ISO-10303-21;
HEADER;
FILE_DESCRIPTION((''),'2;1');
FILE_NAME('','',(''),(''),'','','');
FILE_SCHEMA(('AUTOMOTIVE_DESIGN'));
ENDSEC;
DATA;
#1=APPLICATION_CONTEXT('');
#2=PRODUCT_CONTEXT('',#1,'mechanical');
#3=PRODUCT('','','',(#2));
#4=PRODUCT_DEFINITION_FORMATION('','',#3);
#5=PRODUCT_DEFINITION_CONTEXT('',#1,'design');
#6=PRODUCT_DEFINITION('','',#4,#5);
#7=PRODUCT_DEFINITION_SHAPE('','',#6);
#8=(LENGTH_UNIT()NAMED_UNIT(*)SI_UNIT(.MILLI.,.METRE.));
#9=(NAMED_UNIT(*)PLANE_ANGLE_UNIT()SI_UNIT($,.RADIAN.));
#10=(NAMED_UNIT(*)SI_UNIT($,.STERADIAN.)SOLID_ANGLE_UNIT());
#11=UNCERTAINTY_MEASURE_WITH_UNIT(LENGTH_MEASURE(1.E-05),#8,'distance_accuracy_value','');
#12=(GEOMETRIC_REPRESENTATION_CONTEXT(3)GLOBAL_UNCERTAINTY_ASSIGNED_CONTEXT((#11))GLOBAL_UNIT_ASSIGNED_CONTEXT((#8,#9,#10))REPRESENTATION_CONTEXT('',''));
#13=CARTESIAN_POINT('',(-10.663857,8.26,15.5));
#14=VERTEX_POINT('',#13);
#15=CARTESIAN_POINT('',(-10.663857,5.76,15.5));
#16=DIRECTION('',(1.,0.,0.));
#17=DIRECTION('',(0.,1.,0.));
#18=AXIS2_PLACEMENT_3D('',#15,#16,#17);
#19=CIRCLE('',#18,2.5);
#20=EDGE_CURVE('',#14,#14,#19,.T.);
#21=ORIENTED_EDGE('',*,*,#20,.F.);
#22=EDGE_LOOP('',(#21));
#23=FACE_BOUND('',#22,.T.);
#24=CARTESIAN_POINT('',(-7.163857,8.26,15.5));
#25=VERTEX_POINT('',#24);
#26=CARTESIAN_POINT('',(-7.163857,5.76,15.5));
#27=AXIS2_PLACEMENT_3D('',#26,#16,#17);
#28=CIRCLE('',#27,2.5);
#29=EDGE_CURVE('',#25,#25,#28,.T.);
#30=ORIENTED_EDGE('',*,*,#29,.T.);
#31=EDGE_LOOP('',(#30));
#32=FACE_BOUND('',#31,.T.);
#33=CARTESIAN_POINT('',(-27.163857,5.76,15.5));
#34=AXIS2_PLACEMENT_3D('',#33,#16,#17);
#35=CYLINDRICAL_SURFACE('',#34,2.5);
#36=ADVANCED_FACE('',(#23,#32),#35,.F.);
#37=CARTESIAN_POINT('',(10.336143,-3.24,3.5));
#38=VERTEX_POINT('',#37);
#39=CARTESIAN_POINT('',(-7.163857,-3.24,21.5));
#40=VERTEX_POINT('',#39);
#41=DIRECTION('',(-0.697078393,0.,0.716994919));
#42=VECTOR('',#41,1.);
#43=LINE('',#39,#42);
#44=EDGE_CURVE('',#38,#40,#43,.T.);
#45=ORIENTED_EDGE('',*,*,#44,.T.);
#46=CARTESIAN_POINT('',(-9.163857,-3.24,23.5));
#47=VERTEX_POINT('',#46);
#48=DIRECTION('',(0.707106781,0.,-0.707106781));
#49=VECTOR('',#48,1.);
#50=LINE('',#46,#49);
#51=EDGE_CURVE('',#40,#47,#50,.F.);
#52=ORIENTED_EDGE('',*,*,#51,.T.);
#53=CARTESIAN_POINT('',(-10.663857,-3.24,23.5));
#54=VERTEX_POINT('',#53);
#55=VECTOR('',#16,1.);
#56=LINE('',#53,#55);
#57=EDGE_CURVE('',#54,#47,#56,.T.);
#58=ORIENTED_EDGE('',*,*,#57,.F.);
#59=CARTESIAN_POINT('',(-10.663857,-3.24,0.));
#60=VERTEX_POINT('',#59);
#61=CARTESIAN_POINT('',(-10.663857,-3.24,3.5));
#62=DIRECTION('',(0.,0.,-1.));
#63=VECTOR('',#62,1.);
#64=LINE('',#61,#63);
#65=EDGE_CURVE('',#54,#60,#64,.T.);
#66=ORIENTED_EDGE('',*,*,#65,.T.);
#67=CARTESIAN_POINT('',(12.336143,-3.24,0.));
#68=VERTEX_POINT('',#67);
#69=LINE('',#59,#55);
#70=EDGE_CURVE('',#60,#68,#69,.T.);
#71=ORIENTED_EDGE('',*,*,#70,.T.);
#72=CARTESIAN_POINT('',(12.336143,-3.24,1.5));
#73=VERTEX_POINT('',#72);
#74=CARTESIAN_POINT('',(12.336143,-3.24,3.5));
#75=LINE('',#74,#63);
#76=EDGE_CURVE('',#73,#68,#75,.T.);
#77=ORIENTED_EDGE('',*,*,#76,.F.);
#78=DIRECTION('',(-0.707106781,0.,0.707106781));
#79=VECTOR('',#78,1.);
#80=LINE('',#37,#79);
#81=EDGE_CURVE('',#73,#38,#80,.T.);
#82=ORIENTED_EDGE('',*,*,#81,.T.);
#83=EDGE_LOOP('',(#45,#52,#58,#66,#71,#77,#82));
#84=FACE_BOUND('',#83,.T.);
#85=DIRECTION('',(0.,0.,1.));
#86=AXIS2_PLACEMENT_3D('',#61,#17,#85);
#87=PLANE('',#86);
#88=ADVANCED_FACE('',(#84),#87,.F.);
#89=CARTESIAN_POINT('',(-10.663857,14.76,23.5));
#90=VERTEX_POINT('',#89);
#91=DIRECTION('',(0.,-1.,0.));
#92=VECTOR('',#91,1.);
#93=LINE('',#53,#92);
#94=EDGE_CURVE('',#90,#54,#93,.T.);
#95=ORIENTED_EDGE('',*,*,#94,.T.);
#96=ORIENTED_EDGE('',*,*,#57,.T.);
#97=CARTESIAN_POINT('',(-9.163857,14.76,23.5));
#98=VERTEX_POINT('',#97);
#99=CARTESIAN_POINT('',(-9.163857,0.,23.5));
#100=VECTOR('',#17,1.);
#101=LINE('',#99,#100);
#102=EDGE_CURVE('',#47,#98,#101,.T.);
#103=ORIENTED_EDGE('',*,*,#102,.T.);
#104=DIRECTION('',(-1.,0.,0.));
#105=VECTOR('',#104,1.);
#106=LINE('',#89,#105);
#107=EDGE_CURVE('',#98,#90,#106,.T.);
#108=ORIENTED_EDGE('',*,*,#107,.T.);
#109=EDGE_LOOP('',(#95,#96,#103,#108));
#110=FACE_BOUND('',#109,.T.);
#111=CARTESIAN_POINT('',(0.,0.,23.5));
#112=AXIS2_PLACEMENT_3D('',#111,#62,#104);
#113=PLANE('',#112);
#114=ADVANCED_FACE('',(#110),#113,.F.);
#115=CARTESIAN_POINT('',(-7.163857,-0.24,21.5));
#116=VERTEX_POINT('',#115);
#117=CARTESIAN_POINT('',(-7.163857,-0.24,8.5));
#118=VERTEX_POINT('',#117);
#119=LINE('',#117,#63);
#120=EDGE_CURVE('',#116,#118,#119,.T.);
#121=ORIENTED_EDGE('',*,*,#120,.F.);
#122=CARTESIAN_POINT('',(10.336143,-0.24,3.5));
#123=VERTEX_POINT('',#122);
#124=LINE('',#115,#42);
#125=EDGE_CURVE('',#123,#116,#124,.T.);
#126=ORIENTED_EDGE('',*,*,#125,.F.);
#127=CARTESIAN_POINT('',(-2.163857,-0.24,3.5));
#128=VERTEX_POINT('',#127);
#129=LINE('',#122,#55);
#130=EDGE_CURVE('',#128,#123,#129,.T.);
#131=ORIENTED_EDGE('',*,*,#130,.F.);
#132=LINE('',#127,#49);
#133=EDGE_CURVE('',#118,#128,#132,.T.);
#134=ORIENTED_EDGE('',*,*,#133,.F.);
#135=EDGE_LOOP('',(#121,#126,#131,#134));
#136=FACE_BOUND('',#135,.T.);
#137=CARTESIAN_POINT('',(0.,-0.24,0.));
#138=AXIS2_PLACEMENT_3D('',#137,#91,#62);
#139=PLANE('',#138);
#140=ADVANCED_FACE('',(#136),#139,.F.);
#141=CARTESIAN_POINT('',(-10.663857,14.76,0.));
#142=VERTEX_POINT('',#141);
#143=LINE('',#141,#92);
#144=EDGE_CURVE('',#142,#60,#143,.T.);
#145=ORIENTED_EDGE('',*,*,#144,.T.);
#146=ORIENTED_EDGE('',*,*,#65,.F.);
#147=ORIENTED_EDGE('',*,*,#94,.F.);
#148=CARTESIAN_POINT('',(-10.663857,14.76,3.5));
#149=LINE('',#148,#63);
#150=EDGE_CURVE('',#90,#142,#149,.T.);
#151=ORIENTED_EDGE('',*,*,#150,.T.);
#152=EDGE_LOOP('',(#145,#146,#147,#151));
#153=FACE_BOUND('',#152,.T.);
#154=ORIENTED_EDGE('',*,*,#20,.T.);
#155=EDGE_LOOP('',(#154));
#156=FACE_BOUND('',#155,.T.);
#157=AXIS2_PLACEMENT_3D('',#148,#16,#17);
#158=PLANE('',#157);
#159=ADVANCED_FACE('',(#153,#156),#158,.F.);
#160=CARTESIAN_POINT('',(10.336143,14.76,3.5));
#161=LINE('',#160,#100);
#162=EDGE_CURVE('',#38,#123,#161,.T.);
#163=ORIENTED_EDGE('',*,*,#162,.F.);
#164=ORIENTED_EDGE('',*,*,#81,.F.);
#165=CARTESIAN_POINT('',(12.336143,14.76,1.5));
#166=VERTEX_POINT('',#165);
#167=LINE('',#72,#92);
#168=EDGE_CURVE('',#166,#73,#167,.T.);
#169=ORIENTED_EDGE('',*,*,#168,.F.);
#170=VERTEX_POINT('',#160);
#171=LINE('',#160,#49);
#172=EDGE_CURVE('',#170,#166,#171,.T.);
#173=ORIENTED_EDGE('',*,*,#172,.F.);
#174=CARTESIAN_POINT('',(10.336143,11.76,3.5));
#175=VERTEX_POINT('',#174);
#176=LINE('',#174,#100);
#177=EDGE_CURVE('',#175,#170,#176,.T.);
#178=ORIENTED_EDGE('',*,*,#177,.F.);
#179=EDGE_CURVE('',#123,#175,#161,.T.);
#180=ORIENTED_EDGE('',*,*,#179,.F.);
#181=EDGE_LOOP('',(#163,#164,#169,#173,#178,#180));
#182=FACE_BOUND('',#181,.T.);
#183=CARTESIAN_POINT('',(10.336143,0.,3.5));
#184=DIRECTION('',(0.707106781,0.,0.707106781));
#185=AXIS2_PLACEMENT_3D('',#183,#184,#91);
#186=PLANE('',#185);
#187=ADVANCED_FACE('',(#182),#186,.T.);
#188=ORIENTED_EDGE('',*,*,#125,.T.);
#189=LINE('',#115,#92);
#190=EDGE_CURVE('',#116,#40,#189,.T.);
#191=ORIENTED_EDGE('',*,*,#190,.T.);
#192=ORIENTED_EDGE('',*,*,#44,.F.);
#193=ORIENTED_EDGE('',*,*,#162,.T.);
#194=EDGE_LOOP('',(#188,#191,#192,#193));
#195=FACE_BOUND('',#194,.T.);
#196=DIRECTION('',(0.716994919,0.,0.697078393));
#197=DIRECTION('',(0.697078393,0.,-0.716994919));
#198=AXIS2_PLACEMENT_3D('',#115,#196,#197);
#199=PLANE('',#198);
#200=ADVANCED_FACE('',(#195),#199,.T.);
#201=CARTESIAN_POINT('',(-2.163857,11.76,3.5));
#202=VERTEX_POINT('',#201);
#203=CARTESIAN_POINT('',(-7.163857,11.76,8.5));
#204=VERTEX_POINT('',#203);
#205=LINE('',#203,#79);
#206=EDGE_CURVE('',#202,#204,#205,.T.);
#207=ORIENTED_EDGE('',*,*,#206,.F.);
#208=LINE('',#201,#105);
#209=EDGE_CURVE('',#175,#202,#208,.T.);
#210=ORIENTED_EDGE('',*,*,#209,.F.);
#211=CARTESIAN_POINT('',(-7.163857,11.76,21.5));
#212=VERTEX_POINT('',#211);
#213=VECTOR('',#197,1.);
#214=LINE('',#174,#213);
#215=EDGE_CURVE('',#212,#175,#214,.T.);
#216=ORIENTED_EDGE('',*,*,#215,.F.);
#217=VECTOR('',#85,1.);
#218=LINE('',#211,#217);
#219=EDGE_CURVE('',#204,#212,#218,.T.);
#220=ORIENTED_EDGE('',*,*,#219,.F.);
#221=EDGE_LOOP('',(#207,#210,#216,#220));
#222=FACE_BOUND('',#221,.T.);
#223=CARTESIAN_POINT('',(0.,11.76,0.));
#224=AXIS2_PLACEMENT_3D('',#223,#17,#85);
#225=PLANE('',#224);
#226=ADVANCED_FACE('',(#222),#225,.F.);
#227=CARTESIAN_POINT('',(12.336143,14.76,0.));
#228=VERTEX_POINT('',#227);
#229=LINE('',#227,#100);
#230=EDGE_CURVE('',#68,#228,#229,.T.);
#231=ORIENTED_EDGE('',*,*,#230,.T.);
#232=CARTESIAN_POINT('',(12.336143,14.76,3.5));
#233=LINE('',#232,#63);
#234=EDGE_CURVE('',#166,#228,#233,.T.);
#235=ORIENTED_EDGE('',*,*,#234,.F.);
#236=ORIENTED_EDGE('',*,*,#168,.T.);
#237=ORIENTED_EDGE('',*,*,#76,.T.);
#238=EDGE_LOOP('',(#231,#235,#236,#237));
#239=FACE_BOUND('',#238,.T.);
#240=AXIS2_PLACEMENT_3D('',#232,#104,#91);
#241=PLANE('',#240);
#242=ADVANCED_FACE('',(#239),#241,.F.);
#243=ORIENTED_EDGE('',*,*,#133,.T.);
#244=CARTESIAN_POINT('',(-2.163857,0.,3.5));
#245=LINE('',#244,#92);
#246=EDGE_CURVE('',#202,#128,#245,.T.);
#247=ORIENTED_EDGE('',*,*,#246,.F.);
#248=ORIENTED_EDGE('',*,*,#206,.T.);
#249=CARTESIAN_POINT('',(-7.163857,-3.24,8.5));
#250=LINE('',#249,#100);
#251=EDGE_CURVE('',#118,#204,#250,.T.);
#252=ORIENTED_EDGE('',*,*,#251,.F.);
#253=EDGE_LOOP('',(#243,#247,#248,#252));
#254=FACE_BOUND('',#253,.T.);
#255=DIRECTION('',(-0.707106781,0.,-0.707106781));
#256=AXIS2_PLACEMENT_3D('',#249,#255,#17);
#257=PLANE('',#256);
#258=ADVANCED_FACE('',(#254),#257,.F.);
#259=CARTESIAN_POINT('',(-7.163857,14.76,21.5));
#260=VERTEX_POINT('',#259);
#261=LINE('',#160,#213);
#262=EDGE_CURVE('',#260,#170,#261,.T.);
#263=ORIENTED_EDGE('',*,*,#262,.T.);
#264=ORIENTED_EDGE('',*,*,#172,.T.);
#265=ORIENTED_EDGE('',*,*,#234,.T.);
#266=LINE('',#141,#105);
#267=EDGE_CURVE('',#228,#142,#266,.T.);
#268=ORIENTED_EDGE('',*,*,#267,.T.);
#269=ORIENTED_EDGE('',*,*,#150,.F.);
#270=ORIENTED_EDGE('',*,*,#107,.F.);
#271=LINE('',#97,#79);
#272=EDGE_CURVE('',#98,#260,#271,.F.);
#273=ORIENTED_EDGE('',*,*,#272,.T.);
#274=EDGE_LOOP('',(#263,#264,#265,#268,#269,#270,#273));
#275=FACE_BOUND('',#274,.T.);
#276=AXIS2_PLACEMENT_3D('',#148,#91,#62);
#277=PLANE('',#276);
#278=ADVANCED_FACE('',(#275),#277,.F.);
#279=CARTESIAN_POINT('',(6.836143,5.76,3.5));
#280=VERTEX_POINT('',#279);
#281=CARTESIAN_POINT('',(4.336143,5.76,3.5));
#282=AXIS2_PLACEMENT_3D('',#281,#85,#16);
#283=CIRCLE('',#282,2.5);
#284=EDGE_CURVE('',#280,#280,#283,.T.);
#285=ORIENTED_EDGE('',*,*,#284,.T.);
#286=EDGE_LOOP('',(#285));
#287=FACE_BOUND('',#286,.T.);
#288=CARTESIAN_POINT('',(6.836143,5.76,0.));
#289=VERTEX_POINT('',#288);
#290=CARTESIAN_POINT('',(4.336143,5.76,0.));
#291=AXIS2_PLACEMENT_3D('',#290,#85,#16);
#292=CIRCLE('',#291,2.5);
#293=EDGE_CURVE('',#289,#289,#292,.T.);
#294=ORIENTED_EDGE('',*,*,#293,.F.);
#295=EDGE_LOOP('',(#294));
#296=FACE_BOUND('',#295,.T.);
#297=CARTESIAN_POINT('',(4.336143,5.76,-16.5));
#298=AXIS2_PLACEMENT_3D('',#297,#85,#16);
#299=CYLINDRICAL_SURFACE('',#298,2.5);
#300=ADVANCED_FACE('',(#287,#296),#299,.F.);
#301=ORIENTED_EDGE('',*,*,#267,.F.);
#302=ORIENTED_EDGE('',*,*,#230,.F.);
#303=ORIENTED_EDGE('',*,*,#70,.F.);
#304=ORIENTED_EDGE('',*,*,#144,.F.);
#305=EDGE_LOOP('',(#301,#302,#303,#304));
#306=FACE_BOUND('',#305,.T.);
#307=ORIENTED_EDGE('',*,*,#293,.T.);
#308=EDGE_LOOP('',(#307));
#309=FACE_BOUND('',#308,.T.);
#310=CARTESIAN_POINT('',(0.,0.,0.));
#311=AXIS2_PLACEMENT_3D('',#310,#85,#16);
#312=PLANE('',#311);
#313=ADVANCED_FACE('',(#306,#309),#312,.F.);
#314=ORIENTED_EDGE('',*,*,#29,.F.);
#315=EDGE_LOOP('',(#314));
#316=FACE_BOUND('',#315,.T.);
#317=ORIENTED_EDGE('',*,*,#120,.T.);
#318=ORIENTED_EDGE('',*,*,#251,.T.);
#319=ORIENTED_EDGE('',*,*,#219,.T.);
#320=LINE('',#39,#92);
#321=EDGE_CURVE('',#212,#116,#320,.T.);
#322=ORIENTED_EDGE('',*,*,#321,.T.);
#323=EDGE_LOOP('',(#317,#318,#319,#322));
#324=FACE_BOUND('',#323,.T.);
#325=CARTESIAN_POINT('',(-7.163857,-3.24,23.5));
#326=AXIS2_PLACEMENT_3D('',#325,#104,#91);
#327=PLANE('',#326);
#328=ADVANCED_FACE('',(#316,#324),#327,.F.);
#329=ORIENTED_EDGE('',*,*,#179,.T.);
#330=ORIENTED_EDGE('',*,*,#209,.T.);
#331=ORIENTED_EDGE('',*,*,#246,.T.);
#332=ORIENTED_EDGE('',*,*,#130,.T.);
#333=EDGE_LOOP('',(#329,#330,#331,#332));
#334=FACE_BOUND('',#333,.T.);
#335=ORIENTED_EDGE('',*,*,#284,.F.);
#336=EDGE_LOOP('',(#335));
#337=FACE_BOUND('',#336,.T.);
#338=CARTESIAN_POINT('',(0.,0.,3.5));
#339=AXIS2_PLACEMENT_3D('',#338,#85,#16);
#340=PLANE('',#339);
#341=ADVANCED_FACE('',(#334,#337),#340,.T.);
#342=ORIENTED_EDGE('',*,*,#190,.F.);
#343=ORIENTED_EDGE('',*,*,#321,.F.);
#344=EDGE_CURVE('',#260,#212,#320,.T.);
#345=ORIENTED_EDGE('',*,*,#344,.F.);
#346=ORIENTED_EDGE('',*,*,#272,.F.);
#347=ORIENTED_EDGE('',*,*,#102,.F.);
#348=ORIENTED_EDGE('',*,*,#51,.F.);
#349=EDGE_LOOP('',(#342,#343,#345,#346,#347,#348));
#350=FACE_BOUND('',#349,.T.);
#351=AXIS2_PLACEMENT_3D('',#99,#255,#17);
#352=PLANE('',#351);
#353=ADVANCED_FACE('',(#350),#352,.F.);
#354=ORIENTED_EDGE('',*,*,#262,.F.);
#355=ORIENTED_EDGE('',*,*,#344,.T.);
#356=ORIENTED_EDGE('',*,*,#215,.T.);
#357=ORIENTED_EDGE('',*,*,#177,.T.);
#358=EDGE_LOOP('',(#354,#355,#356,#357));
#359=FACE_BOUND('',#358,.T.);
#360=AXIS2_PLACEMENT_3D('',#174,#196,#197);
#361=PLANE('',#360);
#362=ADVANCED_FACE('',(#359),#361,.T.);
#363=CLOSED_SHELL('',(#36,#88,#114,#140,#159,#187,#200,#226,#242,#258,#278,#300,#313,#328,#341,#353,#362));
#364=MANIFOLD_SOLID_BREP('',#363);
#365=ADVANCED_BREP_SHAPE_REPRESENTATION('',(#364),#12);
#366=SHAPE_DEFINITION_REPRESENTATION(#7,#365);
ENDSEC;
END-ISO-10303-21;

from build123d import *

# Parameters (mm, degrees)
ESQUISSE1_W             = 23
ESQUISSE1_H             = 18
BOSS_EXTRU_1_DEPTH      = 3.5
ESQUISSE2_W             = 3.5
ESQUISSE2_H             = 18
BOSS_EXTRU_2_DEPTH      = 20
ESQUISSE3_R             = 2.5
ENL_V_MAT_EXTRU_1_DEPTH = 20
ESQUISSE4_R             = 2.5
ENL_V_MAT_EXTRU_2_DEPTH = 20
CHANFREIN1_SIZE         = 5
CHANFREIN2_SIZE         = 2
BOSS_EXTRU_3_DEPTH      = 3
BOSS_EXTRU_4_DEPTH      = 3


with BuildPart() as part:
    # Esquisse1 → Boss.-Extru.1 (new body)
    with BuildSketch(Plane.XY):
        with Locations((0.836143498, 5.76)):
            Rectangle(ESQUISSE1_W, ESQUISSE1_H)
    extrude(amount=BOSS_EXTRU_1_DEPTH)

    # Esquisse2 → Boss.-Extru.2 (add)
    with BuildSketch(Plane.XY.offset(3.5)):
        with Locations((-8.913856502, 5.76)):
            Rectangle(ESQUISSE2_W, ESQUISSE2_H)
    extrude(amount=BOSS_EXTRU_2_DEPTH)

    # Esquisse3 → Enlèv. mat.-Extru.1 (cut)
    with BuildSketch(Plane.XY.offset(3.5)):
        with Locations((4.336143498, 5.76)):
            Circle(ESQUISSE3_R)
    extrude(amount=-ENL_V_MAT_EXTRU_1_DEPTH, mode=Mode.SUBTRACT)

    # Esquisse4 → Enlèv. mat.-Extru.2 (cut)
    with BuildSketch(Plane(origin=(-7.163856502, 0, 0), x_dir=(0, 0, -1), z_dir=(1, 0, 0))):
        with Locations(Location((-15.5, 5.76, 0), (0, 0, 90))):
            Circle(ESQUISSE4_R)
    extrude(amount=-ENL_V_MAT_EXTRU_2_DEPTH, mode=Mode.SUBTRACT)

    # Chanfrein1
    chanfrein1_edges = [part.edges().sort_by_distance(p)[0] for p in [
        (-7.163856502, 5.76, 3.5),
    ]]
    chamfer(chanfrein1_edges, length=CHANFREIN1_SIZE)

    # Chanfrein2
    chanfrein2_edges = [part.edges().sort_by_distance(p)[0] for p in [
        (12.336143498, 5.76, 3.5),
        (-7.163856502, 5.76, 23.5),
    ]]
    chamfer(chanfrein2_edges, length=CHANFREIN2_SIZE)

    # Esquisse5 → Boss.-Extru.3 (add)
    with BuildSketch(Plane(origin=(0, 14.76, 0), x_dir=(1, 0, 0), z_dir=(0, 1, 0))):
        Polygon((10.336143498, -3.5), (-7.163856502, -21.5), (-7.163856502, -8.5), (-2.163856502, -3.5), align=None)
    extrude(amount=-BOSS_EXTRU_3_DEPTH)

    # Esquisse6 → Boss.-Extru.4 (add)
    with BuildSketch(Plane(origin=(0, -3.24, 0), x_dir=(-1, 0, 0), z_dir=(0, -1, 0))):
        Polygon((7.163856502, -21.5), (-10.336143498, -3.5), (2.163856502, -3.5), (7.163856502, -8.5), align=None)
    extrude(amount=-BOSS_EXTRU_4_DEPTH)


solid = part.part
